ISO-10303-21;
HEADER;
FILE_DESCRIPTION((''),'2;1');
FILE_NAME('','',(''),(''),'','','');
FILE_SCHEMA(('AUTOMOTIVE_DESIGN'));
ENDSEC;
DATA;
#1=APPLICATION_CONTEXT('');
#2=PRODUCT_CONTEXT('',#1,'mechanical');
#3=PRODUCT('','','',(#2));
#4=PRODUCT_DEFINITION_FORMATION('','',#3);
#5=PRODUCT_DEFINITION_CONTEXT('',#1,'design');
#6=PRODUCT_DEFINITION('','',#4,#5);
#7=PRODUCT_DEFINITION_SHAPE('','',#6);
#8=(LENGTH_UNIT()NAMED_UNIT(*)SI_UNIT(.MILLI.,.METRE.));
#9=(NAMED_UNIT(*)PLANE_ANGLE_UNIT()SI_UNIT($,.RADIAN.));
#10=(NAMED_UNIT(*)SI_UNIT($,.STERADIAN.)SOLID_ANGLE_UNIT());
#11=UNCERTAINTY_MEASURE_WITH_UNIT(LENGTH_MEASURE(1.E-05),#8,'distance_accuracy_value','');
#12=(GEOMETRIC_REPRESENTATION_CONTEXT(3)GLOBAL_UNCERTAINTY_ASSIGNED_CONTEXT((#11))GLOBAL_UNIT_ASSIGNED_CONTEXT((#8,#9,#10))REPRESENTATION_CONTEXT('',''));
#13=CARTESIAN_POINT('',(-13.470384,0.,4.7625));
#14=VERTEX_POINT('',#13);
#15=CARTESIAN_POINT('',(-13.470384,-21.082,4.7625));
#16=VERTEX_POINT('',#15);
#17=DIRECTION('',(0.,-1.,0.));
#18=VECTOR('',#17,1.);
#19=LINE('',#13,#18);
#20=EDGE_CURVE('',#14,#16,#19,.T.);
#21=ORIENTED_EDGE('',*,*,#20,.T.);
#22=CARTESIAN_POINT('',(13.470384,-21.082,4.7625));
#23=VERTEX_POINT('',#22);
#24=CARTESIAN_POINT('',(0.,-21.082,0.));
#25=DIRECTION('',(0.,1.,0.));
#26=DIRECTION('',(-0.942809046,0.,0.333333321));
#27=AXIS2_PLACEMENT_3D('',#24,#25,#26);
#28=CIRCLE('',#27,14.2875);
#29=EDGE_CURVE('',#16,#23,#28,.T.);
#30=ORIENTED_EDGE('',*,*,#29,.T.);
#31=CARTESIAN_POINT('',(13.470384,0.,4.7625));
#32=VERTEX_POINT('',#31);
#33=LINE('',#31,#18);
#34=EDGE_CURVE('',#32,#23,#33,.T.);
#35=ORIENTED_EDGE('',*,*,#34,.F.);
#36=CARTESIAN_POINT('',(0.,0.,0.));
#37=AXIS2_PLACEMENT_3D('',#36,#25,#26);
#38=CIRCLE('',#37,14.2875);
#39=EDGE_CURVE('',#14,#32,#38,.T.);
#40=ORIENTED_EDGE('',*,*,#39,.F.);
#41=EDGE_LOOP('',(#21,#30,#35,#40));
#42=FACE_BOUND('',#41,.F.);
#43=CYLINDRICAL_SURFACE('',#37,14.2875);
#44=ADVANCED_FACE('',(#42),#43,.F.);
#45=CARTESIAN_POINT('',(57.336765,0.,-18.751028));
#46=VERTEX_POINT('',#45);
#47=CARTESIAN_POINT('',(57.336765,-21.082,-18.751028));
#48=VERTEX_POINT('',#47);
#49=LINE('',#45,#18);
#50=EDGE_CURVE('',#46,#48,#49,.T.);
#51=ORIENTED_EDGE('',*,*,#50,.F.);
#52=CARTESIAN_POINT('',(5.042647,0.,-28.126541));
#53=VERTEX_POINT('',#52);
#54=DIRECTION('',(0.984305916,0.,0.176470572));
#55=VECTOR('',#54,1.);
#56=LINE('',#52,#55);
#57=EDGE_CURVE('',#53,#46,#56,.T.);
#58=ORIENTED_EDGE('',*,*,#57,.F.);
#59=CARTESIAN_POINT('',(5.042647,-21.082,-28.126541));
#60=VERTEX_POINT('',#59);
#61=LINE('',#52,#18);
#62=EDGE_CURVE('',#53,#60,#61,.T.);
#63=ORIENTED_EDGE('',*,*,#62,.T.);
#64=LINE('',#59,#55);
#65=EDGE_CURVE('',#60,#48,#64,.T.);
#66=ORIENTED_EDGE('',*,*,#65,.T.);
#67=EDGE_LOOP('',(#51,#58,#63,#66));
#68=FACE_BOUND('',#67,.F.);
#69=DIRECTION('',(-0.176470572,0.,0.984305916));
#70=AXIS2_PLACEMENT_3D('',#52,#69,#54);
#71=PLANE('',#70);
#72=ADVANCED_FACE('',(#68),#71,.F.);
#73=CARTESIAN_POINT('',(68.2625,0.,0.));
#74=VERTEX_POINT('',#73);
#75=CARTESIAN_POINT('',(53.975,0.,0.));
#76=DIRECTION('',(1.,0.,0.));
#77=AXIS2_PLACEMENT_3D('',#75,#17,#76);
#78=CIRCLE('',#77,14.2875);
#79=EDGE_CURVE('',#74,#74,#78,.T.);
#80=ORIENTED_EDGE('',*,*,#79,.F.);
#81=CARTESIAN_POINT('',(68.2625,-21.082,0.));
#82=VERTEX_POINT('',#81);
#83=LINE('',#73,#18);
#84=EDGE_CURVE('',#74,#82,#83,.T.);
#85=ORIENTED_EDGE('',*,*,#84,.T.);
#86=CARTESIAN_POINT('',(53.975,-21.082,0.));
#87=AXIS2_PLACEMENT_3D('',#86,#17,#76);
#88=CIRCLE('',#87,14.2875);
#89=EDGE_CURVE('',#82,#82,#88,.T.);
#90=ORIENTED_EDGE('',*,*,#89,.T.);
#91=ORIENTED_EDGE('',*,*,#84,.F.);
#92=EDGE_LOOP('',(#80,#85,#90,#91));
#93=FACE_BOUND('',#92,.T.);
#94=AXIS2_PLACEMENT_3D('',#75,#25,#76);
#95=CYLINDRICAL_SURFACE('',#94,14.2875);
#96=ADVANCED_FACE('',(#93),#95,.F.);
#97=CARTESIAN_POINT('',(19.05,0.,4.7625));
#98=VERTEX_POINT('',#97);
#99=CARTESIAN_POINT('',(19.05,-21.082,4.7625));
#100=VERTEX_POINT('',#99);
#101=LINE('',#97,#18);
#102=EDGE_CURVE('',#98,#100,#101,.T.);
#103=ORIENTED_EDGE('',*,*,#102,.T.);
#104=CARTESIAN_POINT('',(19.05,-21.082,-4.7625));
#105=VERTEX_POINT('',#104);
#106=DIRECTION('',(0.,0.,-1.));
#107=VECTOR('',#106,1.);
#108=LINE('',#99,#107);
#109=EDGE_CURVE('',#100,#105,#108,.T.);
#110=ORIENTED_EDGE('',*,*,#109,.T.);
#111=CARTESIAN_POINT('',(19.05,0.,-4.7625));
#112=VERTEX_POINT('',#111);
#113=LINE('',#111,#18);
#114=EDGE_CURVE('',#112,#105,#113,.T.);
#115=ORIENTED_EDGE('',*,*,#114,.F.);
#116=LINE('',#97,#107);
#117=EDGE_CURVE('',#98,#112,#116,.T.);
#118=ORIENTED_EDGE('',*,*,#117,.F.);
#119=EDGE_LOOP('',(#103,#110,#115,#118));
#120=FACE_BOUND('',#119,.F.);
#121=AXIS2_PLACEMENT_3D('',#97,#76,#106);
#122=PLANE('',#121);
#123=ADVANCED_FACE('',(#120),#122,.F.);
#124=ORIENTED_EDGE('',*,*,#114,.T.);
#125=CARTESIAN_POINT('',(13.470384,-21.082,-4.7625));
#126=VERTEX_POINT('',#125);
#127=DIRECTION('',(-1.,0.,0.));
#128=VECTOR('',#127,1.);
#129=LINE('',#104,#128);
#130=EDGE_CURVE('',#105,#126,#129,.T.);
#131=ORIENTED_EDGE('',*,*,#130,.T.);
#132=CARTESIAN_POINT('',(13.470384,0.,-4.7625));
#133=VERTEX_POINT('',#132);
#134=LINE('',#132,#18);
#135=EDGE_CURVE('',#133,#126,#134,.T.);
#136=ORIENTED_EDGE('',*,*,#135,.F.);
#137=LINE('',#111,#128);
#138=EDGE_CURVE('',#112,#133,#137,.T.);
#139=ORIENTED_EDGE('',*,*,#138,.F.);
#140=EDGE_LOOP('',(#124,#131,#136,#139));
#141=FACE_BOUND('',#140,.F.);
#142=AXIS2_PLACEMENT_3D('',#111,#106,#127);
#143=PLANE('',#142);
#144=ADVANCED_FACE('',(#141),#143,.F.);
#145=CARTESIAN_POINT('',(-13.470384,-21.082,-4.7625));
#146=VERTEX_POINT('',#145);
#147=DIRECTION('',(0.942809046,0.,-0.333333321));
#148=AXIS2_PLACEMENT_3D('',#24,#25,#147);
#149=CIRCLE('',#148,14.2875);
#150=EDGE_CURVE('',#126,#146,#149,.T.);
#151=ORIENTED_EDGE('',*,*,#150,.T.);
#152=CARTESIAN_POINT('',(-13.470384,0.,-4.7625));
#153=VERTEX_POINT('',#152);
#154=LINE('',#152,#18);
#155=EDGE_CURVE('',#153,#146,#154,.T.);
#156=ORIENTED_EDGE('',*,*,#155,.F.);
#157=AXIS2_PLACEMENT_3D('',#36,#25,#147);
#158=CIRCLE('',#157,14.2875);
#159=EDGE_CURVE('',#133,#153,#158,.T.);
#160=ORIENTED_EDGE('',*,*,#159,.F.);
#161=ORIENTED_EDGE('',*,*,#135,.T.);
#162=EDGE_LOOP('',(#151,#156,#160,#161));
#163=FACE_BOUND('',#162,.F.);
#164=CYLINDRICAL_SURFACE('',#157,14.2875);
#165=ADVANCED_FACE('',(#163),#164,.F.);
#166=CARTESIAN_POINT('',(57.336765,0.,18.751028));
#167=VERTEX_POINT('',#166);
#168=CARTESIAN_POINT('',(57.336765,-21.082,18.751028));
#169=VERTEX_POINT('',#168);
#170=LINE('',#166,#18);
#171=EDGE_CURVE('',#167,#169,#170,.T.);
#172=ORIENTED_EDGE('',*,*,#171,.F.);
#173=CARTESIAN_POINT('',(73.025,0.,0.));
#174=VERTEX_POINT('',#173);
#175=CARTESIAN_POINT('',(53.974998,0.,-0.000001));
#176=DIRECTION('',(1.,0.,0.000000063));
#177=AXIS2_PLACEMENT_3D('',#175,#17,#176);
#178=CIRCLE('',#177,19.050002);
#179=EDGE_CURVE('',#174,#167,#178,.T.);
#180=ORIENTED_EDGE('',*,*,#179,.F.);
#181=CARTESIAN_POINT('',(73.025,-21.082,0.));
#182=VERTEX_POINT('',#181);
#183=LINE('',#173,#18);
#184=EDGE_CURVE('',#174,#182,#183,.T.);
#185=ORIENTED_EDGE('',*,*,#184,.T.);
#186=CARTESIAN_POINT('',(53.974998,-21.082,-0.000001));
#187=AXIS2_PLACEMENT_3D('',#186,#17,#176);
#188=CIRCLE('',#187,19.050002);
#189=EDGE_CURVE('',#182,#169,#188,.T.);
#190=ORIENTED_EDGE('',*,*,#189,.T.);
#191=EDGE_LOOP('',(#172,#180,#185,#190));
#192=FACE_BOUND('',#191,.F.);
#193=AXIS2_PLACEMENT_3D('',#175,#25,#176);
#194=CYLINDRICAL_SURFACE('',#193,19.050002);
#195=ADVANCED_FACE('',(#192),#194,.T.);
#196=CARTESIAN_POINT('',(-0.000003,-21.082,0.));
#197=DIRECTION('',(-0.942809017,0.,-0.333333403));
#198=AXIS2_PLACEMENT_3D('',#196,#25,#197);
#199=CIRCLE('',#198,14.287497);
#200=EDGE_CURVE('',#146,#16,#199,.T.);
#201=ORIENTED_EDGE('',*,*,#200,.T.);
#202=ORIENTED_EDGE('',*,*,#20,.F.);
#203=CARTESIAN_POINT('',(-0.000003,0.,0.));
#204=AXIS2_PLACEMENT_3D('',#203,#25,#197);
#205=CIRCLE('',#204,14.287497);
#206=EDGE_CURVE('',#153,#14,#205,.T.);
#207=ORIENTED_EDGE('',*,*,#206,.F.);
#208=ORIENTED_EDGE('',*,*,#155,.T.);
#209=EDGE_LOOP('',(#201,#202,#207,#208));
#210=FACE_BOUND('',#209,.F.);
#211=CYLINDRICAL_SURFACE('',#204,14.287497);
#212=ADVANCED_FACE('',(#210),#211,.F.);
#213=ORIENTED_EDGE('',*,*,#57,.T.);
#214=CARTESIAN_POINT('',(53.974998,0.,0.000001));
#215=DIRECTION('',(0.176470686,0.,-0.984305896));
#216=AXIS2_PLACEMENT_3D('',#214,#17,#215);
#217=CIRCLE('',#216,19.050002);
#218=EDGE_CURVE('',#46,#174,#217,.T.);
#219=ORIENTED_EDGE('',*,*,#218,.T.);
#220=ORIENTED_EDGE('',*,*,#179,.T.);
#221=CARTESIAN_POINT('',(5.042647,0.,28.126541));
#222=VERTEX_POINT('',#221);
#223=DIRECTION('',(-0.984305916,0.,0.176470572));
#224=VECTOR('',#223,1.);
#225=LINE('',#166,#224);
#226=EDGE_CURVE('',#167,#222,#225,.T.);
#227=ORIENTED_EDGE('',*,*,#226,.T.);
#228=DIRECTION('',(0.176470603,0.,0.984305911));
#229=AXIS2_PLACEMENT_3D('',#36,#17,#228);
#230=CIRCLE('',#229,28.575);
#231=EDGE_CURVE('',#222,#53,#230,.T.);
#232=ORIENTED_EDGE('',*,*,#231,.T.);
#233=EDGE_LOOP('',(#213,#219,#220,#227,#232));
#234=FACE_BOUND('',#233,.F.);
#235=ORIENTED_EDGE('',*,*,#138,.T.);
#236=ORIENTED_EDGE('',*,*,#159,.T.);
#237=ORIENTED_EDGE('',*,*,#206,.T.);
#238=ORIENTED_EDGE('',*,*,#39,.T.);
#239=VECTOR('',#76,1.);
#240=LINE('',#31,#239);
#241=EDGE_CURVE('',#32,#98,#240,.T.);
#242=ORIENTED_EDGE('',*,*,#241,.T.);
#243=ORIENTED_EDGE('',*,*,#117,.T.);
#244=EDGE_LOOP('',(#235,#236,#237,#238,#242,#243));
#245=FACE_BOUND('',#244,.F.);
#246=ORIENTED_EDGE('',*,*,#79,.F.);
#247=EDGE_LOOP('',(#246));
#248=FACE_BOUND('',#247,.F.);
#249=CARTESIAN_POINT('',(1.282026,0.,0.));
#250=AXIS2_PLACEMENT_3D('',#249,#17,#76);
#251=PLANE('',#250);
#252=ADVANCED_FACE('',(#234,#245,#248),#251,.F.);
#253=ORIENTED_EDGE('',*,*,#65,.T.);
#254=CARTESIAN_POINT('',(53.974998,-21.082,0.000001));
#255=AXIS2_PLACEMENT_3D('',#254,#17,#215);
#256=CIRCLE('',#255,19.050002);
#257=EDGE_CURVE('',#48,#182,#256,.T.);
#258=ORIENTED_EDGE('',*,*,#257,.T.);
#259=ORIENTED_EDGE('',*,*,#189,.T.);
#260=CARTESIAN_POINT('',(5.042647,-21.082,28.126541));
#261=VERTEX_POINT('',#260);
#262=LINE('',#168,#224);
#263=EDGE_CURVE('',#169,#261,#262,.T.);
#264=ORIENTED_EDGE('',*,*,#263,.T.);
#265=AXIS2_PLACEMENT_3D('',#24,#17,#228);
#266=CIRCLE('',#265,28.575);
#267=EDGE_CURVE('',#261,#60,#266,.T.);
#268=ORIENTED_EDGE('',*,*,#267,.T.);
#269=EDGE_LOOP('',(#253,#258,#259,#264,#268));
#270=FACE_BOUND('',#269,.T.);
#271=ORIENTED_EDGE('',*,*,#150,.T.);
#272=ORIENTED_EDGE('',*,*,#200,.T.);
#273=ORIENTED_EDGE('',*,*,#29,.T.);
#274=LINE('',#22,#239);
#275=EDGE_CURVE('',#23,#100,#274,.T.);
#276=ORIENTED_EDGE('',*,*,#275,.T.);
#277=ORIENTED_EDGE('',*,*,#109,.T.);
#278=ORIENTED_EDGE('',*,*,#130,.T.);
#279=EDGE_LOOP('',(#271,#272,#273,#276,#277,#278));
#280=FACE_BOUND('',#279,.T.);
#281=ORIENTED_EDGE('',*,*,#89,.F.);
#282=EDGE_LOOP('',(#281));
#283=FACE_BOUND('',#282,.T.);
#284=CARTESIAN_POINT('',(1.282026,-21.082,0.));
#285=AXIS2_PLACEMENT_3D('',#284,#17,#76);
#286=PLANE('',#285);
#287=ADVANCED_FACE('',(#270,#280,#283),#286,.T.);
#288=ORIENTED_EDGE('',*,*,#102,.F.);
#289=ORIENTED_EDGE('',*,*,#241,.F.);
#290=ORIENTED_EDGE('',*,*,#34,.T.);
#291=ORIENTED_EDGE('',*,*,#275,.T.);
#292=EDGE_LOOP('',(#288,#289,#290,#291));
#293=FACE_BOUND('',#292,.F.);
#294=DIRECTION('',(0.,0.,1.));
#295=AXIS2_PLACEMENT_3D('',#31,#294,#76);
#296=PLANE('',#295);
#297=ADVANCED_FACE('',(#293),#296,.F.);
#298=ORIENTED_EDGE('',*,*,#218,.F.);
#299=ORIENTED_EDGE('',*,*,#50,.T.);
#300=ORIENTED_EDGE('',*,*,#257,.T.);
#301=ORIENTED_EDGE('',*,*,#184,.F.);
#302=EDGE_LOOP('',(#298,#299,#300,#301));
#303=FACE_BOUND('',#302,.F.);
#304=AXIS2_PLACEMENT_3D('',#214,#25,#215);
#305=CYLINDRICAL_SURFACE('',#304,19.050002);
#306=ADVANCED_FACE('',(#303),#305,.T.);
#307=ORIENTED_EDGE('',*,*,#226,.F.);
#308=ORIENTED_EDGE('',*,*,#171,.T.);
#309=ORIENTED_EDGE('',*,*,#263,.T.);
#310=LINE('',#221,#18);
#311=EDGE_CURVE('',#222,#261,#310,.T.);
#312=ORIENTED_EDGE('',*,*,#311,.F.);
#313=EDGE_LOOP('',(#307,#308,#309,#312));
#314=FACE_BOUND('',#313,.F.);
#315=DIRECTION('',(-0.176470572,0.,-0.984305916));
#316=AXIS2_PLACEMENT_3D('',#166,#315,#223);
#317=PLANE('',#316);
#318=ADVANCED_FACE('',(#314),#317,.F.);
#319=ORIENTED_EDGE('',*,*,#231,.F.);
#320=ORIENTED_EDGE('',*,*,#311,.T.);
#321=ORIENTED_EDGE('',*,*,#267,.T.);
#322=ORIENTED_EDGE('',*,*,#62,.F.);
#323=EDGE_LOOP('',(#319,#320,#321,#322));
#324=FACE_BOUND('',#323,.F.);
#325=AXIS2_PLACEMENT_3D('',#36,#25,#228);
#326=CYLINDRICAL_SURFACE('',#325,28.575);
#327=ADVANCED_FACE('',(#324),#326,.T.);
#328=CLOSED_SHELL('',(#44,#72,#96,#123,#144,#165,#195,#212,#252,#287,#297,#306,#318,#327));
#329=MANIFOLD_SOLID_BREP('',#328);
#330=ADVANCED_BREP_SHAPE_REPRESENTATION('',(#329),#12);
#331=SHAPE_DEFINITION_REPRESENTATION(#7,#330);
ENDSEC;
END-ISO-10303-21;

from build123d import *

# Parameters (mm, degrees)
F0_R     = 14.2875
F1_DEPTH = 21.082


with BuildPart() as f1:
    # F0 (on Front) → F1 (new body)
    with BuildSketch(Plane.XZ):
        with BuildLine():
            ThreePointArc((5.042647, -28.126541), (21.916025, -18.336262), (28.575, 0))
            ThreePointArc((28.575, 0), (21.916025, 18.336262), (5.042647, 28.126541))
            ThreePointArc((5.042647, 28.126541), (-28.575, 0), (5.042647, -28.126541))
        make_face()
        with BuildLine():
            ThreePointArc((-13.470384, 4.7625), (0, 14.2875), (13.470384, 4.7625))
            Line((13.470384, 4.7625), (19.05, 4.7625))
            Line((19.05, 4.7625), (19.05, -4.7625))
            Line((19.05, -4.7625), (13.470384, -4.7625))
            ThreePointArc((13.470384, -4.7625), (0, -14.2875), (-13.470384, -4.7625))
            Line((-13.470384, -4.7625), (-19.05, -4.7625))
            Line((-19.05, -4.7625), (-19.05, 4.7625))
            Line((-19.05, 4.7625), (-13.470384, 4.7625))
        make_face(mode=Mode.SUBTRACT)
        with BuildLine():
            ThreePointArc((5.042647, 28.126541), (21.916025, 18.336262), (28.575, 0))
            ThreePointArc((28.575, 0), (21.916025, -18.336262), (5.042647, -28.126541))
            Line((5.042647, -28.126541), (57.336765, -18.751028))
            ThreePointArc((57.336765, -18.751028), (34.925, 0), (57.336765, 18.751028))
            Line((57.336765, 18.751028), (5.042647, 28.126541))
        make_face()
        with BuildLine():
            ThreePointArc((73.025, 0), (68.585683, 12.224174), (57.336765, 18.751028))
            ThreePointArc((57.336765, 18.751028), (34.925, 0), (57.336765, -18.751028))
            ThreePointArc((57.336765, -18.751028), (68.585683, -12.224174), (73.025, 0))
        make_face()
        with Locations((53.975, 0)):
            Circle(F0_R, mode=Mode.SUBTRACT)
        with BuildLine():
            ThreePointArc((-13.470384, -4.7625), (-14.2875, 0), (-13.470384, 4.7625))
            Line((-13.470384, 4.7625), (-19.05, 4.7625))
            Line((-19.05, 4.7625), (-19.05, -4.7625))
            Line((-19.05, -4.7625), (-13.470384, -4.7625))
        make_face()
    extrude(amount=F1_DEPTH)


solid = f1.part
